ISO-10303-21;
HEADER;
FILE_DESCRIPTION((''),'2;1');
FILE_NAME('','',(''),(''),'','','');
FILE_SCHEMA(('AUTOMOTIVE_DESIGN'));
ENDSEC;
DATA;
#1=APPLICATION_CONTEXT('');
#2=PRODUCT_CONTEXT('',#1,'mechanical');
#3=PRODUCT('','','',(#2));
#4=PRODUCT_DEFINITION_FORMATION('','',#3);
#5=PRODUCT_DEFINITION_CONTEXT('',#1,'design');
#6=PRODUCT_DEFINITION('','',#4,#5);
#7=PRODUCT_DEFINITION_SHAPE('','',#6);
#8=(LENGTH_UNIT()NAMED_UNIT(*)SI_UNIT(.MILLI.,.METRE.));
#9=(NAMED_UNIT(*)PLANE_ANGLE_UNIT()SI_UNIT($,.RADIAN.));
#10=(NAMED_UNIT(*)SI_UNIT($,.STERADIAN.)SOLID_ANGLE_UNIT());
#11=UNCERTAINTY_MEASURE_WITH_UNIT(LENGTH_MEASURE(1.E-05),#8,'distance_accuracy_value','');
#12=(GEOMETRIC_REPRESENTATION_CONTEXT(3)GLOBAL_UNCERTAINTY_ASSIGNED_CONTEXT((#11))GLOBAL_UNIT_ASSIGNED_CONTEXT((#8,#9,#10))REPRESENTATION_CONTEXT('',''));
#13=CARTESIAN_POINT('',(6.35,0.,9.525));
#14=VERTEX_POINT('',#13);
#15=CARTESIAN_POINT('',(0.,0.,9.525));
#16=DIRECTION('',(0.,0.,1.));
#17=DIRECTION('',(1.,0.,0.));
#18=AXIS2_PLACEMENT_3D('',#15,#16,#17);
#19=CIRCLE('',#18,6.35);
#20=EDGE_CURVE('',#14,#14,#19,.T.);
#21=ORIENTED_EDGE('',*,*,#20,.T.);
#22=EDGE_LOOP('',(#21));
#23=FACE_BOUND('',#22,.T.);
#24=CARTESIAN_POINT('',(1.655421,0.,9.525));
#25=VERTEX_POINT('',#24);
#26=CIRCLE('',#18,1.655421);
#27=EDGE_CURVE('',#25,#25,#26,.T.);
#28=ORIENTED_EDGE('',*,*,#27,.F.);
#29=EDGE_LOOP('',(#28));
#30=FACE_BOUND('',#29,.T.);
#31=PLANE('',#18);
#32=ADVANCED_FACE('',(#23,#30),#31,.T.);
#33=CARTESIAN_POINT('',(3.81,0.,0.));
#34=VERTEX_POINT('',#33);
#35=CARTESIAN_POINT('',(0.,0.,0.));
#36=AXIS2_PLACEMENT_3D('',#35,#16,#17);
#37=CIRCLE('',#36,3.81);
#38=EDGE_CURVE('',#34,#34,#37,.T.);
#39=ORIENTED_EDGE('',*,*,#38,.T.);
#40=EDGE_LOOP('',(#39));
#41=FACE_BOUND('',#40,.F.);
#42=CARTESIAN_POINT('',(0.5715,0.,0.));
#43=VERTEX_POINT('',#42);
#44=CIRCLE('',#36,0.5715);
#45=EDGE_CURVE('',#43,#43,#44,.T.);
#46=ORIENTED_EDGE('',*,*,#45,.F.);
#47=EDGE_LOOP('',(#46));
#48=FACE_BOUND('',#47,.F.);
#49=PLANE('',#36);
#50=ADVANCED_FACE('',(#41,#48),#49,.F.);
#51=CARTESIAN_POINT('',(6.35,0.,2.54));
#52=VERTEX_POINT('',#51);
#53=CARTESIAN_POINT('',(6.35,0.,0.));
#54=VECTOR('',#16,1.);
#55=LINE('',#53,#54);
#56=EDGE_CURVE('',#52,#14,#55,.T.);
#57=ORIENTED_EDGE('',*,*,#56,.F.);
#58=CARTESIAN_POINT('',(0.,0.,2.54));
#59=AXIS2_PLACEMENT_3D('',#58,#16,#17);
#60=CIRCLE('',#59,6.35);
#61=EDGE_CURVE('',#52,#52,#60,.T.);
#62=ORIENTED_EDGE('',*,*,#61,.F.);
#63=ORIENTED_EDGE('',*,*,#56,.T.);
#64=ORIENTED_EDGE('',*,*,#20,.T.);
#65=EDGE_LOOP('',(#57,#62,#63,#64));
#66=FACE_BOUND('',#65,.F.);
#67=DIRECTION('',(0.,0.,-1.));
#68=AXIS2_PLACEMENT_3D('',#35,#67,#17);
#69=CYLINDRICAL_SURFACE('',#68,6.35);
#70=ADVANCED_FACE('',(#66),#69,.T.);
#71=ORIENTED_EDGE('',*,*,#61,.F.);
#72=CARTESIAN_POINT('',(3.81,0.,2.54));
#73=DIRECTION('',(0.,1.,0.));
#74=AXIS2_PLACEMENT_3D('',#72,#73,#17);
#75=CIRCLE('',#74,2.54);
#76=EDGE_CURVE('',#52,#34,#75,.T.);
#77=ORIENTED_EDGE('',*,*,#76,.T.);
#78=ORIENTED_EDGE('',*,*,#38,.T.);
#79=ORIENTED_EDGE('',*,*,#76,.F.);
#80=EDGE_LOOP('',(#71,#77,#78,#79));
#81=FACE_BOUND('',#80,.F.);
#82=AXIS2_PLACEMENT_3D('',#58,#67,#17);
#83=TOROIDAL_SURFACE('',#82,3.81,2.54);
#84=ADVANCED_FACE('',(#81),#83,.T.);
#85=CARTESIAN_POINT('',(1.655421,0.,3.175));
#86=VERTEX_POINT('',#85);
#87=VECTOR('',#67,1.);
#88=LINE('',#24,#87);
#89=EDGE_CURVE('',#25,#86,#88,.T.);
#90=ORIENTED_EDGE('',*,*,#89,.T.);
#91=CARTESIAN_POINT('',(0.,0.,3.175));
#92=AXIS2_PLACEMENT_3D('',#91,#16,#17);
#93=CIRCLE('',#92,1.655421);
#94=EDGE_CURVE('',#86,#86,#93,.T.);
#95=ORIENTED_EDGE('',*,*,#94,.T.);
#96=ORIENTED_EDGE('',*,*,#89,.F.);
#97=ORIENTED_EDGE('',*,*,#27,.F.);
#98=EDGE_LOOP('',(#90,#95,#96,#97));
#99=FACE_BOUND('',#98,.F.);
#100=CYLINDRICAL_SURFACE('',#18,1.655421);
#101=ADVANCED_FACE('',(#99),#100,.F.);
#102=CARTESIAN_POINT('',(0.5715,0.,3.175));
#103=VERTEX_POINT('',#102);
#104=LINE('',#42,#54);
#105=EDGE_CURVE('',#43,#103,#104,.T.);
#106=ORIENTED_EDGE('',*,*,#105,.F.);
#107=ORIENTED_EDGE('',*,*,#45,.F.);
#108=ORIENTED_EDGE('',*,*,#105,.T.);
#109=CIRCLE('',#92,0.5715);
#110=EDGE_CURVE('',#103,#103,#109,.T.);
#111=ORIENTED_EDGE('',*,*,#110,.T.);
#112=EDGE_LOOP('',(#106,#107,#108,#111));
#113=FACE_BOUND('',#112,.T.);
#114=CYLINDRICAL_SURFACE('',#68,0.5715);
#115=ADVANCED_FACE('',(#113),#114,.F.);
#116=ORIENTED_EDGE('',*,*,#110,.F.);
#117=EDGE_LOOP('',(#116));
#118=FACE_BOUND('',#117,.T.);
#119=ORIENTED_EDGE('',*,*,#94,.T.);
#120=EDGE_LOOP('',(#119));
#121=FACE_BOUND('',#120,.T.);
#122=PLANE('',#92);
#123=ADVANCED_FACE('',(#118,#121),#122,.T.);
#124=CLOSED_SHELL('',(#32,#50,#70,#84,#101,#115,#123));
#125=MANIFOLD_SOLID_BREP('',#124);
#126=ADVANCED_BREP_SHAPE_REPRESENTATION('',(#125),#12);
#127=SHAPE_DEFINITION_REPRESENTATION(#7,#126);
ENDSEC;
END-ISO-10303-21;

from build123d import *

# Parameters (mm, degrees)
F0_R     = 6.35
F0_R_2   = 0.5715
F1_DEPTH = 9.525
F2_R     = 1.655421
F2_R_2   = 0.5715
F3_DEPTH = 6.35
F4_R     = 2.54


with BuildPart() as f1:
    # F0 (on Top) → F1 (new body)
    with BuildSketch(Plane.XY):
        Circle(F0_R)
        Circle(F0_R_2, mode=Mode.SUBTRACT)
    extrude(amount=F1_DEPTH)

    # F2 (on face) → F3 (cut)
    with BuildSketch(Plane.XY.offset(9.525)):
        Circle(F2_R)
        Circle(F2_R_2, mode=Mode.SUBTRACT)
    extrude(amount=-F3_DEPTH, mode=Mode.SUBTRACT)

    # F4
    f4_edges = [f1.edges().sort_by_distance(p)[0] for p in [
        (-6.35, 0, 0),
    ]]
    fillet(f4_edges, radius=F4_R)


solid = f1.part
